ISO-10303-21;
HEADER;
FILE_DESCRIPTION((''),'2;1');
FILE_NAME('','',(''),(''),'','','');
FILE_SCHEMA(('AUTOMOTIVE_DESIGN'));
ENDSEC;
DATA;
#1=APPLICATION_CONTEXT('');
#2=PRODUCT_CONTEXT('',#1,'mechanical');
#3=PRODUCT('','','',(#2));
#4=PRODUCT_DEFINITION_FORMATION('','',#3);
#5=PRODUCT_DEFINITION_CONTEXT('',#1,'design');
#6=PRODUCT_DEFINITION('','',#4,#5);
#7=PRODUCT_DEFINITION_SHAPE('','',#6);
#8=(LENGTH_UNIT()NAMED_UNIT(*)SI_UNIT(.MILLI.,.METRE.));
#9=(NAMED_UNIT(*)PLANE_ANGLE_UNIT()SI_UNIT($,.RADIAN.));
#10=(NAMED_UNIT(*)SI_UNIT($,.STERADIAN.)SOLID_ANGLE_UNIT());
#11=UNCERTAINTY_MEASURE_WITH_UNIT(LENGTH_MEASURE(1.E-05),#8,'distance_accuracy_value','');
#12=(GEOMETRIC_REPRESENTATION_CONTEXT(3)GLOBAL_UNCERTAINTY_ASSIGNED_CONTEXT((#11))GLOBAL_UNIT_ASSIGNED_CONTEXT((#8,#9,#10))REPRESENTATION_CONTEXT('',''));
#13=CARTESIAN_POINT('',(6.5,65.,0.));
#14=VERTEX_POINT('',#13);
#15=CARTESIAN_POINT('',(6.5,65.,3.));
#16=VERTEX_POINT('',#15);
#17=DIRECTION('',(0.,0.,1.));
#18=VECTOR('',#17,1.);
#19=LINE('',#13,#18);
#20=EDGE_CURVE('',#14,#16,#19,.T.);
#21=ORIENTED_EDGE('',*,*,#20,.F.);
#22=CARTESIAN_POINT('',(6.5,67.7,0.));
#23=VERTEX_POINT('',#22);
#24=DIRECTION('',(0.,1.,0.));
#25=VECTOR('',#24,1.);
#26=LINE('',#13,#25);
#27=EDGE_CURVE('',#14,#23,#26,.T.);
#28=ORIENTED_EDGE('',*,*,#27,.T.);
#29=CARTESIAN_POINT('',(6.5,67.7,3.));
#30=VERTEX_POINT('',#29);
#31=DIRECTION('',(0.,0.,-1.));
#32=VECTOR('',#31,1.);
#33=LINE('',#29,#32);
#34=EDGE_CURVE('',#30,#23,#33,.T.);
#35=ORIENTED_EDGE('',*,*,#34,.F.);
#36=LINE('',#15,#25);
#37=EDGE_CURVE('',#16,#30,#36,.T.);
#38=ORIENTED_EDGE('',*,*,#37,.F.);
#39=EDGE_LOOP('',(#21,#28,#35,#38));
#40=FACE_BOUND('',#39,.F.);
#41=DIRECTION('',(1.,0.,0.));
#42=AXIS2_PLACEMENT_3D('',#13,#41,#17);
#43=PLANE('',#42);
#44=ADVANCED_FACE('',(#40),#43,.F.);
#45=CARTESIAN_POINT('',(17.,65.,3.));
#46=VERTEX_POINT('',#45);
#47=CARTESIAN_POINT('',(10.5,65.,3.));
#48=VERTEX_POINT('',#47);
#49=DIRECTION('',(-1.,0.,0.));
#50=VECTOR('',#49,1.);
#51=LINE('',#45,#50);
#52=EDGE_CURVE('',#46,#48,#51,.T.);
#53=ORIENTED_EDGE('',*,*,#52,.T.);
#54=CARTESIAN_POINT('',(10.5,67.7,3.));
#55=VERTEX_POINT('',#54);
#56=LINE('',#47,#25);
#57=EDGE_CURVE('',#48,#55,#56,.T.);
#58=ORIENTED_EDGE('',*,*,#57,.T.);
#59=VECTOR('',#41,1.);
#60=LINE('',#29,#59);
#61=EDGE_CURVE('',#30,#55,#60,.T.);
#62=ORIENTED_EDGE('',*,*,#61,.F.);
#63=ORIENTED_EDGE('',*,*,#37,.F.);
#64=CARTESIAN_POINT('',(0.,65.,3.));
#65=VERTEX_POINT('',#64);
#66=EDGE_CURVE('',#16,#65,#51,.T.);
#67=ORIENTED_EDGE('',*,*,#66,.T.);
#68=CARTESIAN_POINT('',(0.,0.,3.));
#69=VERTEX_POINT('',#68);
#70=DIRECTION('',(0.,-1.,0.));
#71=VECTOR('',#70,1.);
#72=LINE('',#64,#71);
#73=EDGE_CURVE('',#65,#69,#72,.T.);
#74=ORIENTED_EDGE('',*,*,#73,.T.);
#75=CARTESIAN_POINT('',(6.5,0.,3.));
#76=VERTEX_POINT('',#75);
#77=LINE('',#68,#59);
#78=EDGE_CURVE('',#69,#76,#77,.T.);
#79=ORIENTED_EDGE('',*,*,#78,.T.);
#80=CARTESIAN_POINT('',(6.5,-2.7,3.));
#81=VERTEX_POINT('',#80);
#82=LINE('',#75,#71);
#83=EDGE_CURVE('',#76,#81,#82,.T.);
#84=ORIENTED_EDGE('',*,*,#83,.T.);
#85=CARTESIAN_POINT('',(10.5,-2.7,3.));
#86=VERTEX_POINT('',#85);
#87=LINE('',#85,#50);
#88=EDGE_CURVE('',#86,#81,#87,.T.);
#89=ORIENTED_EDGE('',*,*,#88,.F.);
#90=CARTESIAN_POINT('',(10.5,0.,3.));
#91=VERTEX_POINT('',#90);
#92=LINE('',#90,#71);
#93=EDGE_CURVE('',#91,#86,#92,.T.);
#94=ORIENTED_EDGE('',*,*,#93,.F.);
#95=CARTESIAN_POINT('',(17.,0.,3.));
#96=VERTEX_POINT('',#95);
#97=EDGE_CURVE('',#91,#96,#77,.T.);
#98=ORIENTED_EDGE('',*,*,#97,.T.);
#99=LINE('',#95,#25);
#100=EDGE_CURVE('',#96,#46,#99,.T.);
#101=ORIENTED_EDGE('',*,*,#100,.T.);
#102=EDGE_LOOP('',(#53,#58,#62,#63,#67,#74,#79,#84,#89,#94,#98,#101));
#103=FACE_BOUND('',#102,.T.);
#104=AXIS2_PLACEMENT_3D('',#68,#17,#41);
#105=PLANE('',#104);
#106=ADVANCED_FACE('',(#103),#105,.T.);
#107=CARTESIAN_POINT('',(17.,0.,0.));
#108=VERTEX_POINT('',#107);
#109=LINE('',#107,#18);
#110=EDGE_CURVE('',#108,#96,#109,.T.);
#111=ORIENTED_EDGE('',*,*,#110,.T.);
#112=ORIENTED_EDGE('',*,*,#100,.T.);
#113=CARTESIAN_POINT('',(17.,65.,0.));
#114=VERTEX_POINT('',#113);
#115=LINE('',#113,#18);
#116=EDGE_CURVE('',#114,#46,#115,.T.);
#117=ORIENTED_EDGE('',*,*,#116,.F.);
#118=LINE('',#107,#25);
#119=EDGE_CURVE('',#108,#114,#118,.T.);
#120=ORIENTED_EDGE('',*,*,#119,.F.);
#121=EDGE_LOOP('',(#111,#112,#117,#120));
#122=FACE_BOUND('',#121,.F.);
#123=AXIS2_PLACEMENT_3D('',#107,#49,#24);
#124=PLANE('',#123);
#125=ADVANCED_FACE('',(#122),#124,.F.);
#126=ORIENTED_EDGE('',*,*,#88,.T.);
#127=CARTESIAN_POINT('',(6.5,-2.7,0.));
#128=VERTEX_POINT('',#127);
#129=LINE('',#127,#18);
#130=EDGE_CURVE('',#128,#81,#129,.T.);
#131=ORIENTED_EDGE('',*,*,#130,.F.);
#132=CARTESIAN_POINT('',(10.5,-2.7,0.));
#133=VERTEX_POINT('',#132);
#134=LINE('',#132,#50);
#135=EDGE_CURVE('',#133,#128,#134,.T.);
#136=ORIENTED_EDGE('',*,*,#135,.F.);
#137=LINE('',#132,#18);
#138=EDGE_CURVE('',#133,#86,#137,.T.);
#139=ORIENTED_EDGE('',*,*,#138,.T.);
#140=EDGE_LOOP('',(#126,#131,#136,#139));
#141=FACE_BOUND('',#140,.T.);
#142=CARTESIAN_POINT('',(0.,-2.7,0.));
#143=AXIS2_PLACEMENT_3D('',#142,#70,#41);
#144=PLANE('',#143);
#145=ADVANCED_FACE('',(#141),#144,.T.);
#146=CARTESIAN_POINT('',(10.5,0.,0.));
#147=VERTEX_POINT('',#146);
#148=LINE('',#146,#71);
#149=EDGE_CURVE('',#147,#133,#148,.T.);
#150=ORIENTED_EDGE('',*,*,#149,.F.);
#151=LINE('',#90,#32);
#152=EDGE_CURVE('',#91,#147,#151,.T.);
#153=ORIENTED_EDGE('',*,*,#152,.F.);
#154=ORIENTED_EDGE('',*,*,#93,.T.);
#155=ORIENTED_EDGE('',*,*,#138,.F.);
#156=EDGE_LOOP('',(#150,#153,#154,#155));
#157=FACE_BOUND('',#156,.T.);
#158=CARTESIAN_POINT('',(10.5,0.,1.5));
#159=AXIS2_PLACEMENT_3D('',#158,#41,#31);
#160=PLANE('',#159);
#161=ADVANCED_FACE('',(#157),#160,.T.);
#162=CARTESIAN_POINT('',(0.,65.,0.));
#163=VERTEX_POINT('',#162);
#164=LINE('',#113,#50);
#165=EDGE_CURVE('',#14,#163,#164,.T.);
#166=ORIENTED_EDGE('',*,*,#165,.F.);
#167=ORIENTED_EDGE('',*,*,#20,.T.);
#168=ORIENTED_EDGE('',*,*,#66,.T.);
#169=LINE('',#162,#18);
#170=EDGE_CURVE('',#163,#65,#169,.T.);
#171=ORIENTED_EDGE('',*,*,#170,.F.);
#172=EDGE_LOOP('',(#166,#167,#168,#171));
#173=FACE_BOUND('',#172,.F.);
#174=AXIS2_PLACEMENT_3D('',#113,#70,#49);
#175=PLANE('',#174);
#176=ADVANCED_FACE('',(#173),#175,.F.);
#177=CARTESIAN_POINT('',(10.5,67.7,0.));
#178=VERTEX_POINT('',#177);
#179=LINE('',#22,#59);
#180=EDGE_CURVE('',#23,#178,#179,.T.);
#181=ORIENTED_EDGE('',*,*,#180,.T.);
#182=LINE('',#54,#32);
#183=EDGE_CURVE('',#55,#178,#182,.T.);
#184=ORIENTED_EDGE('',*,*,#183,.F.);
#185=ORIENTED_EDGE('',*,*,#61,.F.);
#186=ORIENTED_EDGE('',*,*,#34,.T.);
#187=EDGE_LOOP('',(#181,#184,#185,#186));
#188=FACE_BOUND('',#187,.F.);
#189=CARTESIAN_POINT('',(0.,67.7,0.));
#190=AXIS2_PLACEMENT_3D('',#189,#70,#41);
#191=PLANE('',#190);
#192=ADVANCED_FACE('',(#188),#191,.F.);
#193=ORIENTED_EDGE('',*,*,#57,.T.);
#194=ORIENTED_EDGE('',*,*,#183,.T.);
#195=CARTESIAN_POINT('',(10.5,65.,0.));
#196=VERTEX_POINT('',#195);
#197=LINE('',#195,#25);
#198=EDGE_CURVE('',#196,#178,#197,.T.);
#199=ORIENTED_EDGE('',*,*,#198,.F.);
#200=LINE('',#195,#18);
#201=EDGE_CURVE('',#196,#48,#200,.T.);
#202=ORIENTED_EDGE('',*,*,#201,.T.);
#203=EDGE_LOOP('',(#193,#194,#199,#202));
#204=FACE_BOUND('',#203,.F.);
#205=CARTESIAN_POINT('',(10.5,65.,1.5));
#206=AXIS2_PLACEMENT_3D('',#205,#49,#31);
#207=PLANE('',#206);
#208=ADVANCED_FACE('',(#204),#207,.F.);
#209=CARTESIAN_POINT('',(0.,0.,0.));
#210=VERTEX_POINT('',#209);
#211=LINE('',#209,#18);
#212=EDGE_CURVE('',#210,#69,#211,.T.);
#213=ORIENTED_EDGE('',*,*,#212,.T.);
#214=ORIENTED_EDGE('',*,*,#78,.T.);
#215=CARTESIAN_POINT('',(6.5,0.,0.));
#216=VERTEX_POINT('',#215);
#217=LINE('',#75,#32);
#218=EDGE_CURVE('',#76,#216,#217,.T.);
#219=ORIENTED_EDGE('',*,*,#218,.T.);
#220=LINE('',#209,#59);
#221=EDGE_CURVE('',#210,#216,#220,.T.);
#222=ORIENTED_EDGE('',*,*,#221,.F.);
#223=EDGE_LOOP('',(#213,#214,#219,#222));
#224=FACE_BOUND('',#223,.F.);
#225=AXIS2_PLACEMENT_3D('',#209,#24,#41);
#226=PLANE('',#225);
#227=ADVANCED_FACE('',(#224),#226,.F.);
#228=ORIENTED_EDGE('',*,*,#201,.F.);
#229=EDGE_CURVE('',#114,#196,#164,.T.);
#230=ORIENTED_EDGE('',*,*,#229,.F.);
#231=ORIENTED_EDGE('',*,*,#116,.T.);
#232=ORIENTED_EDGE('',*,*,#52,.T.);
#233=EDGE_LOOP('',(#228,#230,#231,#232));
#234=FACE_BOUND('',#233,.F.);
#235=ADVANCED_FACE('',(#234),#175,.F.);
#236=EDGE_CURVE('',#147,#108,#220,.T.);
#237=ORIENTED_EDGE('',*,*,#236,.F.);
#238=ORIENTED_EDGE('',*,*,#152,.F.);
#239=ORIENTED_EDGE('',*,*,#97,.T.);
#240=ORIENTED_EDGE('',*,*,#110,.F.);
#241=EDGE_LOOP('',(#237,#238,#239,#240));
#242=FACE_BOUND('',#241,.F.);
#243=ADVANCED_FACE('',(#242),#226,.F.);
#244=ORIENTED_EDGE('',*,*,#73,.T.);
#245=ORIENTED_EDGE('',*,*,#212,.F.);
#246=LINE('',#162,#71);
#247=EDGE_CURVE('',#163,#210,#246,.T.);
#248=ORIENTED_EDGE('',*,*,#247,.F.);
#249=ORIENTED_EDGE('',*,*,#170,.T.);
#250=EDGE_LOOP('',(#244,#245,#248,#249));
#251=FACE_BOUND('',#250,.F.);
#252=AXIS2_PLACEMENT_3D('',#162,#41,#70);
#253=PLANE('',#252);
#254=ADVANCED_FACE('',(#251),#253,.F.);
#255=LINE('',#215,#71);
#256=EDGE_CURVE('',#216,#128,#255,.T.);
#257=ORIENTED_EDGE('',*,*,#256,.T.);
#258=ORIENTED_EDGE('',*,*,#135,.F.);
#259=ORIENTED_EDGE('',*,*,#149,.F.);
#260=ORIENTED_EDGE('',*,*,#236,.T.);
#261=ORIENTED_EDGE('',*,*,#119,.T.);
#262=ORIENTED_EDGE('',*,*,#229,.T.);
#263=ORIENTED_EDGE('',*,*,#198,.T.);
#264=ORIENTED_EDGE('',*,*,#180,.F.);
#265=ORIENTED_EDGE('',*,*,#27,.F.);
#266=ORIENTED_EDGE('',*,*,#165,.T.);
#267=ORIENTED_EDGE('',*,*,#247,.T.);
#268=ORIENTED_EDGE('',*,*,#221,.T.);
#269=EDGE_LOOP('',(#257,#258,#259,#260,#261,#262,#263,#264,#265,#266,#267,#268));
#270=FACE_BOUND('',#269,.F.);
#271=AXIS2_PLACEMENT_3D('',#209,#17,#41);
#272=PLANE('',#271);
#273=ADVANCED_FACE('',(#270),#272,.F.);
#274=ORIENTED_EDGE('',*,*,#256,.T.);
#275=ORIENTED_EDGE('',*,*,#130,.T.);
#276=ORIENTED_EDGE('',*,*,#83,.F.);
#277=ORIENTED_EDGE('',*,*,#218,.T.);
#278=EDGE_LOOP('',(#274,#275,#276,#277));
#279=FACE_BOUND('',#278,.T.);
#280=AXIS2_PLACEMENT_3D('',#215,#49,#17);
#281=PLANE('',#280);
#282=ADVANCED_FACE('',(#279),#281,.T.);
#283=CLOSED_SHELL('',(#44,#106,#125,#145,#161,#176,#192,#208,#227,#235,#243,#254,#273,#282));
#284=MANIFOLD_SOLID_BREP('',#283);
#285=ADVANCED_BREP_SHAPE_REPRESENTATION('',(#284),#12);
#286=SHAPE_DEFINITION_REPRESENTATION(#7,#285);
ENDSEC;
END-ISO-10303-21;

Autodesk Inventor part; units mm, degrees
ref_plane "YZ Plane" through (0, 0, 0) normal (1, 0, 0) x (0, 1, 0)
ref_plane "XZ Plane" through (0, 0, 0) normal (0, 1, 0) x (-1, 0, 0)
ref_plane "XY Plane" through (0, 0, 0) normal (0, 0, 1) x (1, 0, 0)
sketch "Sketch3" plane through (0, 0, 0) normal (0, 0, 1) x (1, 0, 0)
  line L0 (0, 0) -> (17, 0)
  line L1 (17, 0) -> (17, 65)
  line L2 (17, 65) -> (0, 65)
  line L3 (0, 65) -> (0, 0)
  dimension "d0" = 17
  dimension "d1" = 65
  dimension "d2" = 17
extrude "Extrusion1" add sketch "Sketch3" along normal blind 3
sketch "Sketch4" plane through (0, 0, 0) normal (0, -1, 0) x (1, 0, 0)
  line L0 (0, 0) -> (0, 3) projected
  line L1 (0, 1.5) -> (17, 1.5)
  line L2 (17, 0) -> (17, 3) projected
  line L3 (17, 3) -> (0, 3) projected
  line L4 (8.5, 3) -> (8.5, 0)
  line L5 (17, 0) -> (0, 0) projected
  line L6 (8.5, 1.5) -> (6.5, 1.5)
  line L7 (6.5, 1.5) -> (6.5, 3)
  line L8 (8.5, 1.5) -> (10.5, 1.5)
  line L9 (10.5, 1.5) -> (10.5, 0)
  line L10 (6.5, 3) -> (10.5, 3)
  line L11 (10.5, 3) -> (10.5, 0)
  line L12 (10.5, 0) -> (6.5, 0)
  line L13 (6.5, 0) -> (6.5, 3)
  dimension "d5" = 2
  dimension "d6" = 1.5
  dimension "d7" = 2
  dimension "d8" = 1.5
extrude "Extrusion2" add sketch "Sketch4" along normal blind 2.7 contours L13 L1 L4 L5 | L7 L3 L4 L1 | L4 L1 L9 L5 | L4 L3 L11 L1
extrude "Extrusion3" add sketch "Sketch4" against normal blind 2.7 from surface at -65 contours L13 L1 L4 L5 | L7 L3 L4 L1 | L4 L1 L9 L5 | L4 L3 L11 L1
properties part number "carcasa_piezasRadio_3.0"
